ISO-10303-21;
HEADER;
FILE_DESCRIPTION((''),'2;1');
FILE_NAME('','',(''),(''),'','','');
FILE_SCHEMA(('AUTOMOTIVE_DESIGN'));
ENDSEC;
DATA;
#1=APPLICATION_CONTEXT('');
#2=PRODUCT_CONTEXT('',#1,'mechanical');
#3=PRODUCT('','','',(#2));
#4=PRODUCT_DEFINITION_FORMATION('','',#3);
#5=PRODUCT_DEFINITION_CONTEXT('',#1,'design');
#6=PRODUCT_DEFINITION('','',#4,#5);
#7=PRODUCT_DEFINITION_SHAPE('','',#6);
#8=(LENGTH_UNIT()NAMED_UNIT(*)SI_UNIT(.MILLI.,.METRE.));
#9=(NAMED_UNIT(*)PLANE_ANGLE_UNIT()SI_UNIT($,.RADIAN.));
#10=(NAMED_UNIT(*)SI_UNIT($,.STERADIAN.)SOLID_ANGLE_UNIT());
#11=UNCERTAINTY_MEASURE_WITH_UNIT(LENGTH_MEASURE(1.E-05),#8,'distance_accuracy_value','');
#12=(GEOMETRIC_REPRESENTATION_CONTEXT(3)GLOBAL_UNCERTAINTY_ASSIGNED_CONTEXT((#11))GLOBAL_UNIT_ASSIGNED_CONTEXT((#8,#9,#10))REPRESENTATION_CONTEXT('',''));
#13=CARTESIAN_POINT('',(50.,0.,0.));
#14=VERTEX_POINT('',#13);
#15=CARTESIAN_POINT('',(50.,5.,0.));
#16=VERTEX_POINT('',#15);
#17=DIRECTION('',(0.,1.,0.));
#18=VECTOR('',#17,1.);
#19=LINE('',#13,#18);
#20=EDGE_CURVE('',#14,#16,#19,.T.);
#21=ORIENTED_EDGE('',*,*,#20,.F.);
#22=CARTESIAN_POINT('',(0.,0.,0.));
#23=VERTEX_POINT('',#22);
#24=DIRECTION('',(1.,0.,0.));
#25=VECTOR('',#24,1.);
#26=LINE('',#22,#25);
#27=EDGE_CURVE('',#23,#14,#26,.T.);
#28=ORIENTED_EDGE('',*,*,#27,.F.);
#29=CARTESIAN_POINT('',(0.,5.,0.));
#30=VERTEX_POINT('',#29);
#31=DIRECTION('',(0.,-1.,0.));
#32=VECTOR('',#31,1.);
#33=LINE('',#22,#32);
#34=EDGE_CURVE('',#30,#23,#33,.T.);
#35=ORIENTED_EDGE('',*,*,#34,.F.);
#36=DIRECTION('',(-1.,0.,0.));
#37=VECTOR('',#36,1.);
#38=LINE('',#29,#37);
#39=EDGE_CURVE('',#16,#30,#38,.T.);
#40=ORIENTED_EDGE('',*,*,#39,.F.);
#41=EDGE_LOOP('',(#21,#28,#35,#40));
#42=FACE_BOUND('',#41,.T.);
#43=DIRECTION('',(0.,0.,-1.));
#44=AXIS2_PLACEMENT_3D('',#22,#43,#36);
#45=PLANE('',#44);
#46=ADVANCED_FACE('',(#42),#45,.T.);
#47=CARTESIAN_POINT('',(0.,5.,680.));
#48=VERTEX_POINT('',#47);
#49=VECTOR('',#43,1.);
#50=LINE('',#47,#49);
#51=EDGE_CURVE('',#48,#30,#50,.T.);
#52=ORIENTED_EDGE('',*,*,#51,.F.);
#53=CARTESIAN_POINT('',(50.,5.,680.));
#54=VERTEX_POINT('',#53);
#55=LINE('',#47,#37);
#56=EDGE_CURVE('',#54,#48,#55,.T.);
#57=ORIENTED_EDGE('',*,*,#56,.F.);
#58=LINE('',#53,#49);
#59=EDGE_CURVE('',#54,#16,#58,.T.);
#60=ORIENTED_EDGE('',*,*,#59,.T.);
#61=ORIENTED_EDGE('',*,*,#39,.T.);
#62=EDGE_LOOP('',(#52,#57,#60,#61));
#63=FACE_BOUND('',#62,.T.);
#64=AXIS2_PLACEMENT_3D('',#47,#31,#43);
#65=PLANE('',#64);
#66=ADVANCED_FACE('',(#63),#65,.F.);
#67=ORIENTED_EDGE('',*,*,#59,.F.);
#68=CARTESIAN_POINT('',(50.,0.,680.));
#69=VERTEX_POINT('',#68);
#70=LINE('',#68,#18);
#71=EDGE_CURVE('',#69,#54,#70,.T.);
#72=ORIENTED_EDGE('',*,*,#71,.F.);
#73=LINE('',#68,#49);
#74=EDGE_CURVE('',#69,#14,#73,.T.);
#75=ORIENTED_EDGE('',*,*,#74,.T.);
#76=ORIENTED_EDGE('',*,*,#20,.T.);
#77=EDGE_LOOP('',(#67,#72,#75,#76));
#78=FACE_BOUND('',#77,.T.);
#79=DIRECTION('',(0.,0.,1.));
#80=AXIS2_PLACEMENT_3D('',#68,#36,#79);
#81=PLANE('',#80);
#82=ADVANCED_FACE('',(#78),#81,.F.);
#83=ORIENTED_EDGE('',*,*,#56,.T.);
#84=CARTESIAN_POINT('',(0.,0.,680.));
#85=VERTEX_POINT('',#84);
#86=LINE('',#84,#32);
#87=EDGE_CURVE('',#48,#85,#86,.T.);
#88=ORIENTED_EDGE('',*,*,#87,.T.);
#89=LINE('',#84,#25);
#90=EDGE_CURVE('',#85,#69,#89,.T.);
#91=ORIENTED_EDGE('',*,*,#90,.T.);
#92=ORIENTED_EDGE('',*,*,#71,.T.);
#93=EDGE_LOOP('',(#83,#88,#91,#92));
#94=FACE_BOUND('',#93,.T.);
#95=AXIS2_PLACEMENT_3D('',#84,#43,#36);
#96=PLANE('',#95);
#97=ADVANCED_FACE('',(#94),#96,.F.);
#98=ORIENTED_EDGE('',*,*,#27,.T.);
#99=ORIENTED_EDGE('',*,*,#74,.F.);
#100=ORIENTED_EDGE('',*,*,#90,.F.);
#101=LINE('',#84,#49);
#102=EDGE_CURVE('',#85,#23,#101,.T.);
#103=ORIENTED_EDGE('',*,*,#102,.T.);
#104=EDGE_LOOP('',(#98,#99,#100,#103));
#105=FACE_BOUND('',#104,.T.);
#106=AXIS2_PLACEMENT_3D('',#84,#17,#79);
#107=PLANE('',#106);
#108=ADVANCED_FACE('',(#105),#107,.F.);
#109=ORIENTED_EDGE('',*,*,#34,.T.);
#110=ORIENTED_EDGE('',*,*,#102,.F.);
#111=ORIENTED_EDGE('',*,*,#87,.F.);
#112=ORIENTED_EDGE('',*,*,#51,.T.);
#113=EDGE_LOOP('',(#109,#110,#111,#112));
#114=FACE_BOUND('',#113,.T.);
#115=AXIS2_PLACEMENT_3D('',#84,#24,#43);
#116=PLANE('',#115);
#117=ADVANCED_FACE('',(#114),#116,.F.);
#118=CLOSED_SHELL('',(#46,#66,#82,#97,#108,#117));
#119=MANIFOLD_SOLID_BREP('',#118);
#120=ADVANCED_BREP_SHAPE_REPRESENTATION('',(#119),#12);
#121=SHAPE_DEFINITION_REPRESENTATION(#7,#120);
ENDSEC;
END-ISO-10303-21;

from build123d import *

# Parameters (mm, degrees)
SZKIC1_W                    = 50
SZKIC1_H                    = 5
DODANIE_WYCI_GNI_CIE1_DEPTH = 680


with BuildPart() as part:
    # Szkic1 → Dodanie-wyciągnięcie1 (new body)
    with BuildSketch(Plane.XY):
        with Locations((25, 2.5)):
            Rectangle(SZKIC1_W, SZKIC1_H)
    extrude(amount=DODANIE_WYCI_GNI_CIE1_DEPTH)


solid = part.part
